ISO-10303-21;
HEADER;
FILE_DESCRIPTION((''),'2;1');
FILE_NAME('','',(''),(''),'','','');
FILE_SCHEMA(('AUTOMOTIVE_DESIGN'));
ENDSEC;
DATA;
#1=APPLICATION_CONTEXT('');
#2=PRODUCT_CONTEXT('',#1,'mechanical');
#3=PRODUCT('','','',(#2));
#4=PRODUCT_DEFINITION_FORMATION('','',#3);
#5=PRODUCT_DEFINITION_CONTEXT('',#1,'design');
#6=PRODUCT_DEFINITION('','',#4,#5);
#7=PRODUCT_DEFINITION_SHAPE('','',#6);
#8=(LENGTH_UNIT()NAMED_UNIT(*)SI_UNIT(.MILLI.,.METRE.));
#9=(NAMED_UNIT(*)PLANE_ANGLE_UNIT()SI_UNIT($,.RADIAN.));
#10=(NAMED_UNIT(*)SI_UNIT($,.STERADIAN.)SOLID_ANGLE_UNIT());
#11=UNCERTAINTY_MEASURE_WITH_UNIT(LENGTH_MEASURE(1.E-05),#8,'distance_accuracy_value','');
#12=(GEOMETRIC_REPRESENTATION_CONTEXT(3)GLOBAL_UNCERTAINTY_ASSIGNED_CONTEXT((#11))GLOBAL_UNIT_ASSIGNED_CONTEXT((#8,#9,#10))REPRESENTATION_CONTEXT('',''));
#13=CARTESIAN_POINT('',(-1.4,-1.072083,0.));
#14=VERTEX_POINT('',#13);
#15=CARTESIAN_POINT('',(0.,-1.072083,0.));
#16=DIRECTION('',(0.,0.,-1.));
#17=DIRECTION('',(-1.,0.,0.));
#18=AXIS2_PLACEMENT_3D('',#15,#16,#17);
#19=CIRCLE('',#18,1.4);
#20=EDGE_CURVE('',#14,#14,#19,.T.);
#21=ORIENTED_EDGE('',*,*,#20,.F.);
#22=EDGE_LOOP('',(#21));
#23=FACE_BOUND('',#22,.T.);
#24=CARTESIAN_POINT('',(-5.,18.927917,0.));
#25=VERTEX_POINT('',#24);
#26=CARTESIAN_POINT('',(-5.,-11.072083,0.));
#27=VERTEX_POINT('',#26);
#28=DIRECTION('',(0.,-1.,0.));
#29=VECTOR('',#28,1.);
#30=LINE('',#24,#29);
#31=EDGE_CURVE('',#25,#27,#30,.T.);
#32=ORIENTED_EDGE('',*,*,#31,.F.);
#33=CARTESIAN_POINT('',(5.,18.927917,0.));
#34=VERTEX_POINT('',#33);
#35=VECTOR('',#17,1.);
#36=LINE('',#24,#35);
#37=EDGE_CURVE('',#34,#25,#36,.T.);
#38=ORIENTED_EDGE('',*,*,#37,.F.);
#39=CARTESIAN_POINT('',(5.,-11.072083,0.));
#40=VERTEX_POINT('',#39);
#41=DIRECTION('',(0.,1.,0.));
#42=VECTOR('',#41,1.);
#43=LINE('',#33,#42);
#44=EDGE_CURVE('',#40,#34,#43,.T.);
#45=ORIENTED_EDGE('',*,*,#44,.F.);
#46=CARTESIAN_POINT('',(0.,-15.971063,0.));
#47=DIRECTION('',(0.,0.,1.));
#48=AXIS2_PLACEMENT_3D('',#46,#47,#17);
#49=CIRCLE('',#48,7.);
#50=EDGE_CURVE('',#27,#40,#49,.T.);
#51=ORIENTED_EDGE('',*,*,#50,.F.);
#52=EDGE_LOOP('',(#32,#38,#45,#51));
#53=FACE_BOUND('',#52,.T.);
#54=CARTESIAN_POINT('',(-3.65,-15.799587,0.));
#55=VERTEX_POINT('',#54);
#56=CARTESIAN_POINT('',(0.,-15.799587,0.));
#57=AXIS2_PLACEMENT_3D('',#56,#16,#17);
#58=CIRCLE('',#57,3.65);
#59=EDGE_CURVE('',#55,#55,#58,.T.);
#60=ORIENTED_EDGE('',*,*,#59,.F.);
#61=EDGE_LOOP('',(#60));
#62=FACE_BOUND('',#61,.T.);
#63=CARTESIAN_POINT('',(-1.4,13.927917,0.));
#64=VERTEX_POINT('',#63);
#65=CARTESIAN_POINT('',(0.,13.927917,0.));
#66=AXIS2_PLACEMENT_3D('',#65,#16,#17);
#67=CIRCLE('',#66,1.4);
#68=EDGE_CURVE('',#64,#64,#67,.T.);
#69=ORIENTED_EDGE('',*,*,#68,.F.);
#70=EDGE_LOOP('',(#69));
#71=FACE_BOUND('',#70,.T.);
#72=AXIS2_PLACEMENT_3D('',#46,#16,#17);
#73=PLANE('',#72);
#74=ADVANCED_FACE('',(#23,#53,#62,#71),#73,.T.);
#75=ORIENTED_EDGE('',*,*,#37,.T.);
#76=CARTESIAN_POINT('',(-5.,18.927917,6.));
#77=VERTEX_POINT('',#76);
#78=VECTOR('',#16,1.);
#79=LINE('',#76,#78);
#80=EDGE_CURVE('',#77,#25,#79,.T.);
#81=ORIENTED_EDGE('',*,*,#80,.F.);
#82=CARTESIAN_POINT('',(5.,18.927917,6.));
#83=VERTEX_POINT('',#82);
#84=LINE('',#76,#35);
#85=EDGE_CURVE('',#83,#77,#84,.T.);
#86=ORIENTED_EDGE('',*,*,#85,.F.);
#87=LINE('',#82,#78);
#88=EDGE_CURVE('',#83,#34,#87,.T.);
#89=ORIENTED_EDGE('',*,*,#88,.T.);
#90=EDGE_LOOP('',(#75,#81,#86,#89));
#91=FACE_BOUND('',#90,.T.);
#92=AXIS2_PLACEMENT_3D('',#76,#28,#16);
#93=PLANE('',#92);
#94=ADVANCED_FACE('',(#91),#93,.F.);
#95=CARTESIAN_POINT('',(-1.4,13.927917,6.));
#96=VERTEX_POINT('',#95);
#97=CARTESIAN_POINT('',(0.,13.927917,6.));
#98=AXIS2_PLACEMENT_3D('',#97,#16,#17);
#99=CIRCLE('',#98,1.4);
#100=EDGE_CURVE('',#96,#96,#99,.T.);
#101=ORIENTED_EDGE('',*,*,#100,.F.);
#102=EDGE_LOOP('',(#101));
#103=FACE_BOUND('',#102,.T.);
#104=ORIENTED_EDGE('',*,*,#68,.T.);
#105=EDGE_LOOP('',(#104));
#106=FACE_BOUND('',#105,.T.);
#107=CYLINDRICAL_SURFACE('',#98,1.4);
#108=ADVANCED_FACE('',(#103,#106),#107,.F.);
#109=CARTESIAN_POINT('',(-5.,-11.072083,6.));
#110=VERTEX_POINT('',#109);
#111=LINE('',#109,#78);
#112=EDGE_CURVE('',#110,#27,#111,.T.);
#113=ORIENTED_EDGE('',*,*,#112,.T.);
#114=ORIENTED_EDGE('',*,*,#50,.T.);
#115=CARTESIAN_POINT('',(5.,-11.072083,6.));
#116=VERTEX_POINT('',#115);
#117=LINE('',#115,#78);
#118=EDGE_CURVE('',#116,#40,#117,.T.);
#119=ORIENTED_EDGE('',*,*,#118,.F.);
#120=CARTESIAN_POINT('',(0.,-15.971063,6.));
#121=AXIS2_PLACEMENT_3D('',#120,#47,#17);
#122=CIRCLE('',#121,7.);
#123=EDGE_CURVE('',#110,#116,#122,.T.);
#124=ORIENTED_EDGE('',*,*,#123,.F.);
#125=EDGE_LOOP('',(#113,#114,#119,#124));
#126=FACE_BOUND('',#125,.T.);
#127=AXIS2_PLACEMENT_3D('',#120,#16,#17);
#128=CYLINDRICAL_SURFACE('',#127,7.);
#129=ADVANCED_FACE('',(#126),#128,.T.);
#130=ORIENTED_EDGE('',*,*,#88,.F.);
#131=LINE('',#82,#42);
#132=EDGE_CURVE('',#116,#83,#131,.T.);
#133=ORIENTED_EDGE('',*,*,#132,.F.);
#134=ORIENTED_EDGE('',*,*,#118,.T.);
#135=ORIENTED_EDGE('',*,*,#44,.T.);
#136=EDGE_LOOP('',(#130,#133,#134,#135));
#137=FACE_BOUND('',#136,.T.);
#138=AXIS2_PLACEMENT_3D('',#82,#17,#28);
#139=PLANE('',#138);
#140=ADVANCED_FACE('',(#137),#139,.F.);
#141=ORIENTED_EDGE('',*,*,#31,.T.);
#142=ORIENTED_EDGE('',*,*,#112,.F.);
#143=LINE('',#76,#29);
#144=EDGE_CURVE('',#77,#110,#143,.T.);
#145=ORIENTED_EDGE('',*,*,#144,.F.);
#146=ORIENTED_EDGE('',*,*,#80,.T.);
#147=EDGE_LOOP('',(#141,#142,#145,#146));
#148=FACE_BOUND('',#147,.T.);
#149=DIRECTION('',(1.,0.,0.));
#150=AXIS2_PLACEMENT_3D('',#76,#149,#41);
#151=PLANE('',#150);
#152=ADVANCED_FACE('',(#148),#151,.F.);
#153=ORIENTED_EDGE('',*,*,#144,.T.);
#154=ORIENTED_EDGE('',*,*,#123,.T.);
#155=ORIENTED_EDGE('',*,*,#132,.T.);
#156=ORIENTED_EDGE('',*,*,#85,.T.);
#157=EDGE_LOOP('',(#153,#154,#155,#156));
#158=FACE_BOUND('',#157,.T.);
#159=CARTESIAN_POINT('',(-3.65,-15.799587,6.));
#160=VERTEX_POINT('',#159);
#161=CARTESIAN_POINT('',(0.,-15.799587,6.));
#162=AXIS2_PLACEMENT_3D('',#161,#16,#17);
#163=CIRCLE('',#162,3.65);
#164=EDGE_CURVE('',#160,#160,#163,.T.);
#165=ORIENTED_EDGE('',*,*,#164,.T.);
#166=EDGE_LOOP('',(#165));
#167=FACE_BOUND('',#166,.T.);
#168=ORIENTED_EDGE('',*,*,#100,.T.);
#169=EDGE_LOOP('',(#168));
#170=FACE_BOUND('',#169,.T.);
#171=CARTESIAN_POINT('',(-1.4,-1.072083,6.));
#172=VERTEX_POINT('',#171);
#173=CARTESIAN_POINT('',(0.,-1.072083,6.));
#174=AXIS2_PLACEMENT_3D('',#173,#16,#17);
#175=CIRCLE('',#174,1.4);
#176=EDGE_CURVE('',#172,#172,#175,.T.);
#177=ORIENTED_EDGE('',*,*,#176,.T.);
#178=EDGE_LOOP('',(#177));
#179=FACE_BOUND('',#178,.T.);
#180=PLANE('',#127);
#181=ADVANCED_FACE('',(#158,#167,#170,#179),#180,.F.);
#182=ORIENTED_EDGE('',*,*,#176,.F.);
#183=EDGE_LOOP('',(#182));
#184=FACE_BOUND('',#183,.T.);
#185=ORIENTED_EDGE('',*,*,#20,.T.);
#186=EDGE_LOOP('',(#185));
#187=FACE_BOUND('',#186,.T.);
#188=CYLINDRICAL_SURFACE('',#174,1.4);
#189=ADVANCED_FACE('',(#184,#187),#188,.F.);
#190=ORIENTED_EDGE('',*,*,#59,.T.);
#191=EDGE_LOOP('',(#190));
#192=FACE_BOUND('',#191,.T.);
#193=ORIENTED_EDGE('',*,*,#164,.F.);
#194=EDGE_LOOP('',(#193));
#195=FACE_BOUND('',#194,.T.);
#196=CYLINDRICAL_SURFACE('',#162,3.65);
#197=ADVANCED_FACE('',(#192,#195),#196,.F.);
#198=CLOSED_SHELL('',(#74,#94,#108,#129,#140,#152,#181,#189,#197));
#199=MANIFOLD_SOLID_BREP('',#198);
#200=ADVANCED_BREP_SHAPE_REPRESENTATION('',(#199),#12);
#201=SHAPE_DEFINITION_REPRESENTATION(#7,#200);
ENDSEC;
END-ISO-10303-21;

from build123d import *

# Parameters (mm, degrees)
BOSS_EXTRU_1_DEPTH      = 6
ESQUISSE2_R             = 3.65
ESQUISSE2_R_2           = 1.4
ENL_V_MAT_EXTRU_1_DEPTH = 6


with BuildPart() as part:
    # Esquisse1 → Boss.-Extru.1 (new body)
    with BuildSketch(Plane.XY):
        with BuildLine():
            Line((-5, 18.927916642), (5, 18.927916642))
            Line((5, 18.927916642), (5, -11.072083358))
            ThreePointArc((5, -11.072083358), (0, -22.971062844), (-5, -11.072083358))
            Line((-5, -11.072083358), (-5, 18.927916642))
        make_face()
    extrude(amount=BOSS_EXTRU_1_DEPTH)

    # Esquisse2 → Enlèv. mat.-Extru.1 (cut)
    with BuildSketch(Plane(origin=(0, 0, 0), x_dir=(-1, 0, 0), z_dir=(0, 0, -1))):
        with Locations((0, -15.799586654)):
            Circle(ESQUISSE2_R)
        with Locations((0, -1.072083358)):
            Circle(ESQUISSE2_R_2)
        with Locations((0, 13.927916642)):
            Circle(ESQUISSE2_R_2)
    extrude(amount=-ENL_V_MAT_EXTRU_1_DEPTH, mode=Mode.SUBTRACT)


solid = part.part
